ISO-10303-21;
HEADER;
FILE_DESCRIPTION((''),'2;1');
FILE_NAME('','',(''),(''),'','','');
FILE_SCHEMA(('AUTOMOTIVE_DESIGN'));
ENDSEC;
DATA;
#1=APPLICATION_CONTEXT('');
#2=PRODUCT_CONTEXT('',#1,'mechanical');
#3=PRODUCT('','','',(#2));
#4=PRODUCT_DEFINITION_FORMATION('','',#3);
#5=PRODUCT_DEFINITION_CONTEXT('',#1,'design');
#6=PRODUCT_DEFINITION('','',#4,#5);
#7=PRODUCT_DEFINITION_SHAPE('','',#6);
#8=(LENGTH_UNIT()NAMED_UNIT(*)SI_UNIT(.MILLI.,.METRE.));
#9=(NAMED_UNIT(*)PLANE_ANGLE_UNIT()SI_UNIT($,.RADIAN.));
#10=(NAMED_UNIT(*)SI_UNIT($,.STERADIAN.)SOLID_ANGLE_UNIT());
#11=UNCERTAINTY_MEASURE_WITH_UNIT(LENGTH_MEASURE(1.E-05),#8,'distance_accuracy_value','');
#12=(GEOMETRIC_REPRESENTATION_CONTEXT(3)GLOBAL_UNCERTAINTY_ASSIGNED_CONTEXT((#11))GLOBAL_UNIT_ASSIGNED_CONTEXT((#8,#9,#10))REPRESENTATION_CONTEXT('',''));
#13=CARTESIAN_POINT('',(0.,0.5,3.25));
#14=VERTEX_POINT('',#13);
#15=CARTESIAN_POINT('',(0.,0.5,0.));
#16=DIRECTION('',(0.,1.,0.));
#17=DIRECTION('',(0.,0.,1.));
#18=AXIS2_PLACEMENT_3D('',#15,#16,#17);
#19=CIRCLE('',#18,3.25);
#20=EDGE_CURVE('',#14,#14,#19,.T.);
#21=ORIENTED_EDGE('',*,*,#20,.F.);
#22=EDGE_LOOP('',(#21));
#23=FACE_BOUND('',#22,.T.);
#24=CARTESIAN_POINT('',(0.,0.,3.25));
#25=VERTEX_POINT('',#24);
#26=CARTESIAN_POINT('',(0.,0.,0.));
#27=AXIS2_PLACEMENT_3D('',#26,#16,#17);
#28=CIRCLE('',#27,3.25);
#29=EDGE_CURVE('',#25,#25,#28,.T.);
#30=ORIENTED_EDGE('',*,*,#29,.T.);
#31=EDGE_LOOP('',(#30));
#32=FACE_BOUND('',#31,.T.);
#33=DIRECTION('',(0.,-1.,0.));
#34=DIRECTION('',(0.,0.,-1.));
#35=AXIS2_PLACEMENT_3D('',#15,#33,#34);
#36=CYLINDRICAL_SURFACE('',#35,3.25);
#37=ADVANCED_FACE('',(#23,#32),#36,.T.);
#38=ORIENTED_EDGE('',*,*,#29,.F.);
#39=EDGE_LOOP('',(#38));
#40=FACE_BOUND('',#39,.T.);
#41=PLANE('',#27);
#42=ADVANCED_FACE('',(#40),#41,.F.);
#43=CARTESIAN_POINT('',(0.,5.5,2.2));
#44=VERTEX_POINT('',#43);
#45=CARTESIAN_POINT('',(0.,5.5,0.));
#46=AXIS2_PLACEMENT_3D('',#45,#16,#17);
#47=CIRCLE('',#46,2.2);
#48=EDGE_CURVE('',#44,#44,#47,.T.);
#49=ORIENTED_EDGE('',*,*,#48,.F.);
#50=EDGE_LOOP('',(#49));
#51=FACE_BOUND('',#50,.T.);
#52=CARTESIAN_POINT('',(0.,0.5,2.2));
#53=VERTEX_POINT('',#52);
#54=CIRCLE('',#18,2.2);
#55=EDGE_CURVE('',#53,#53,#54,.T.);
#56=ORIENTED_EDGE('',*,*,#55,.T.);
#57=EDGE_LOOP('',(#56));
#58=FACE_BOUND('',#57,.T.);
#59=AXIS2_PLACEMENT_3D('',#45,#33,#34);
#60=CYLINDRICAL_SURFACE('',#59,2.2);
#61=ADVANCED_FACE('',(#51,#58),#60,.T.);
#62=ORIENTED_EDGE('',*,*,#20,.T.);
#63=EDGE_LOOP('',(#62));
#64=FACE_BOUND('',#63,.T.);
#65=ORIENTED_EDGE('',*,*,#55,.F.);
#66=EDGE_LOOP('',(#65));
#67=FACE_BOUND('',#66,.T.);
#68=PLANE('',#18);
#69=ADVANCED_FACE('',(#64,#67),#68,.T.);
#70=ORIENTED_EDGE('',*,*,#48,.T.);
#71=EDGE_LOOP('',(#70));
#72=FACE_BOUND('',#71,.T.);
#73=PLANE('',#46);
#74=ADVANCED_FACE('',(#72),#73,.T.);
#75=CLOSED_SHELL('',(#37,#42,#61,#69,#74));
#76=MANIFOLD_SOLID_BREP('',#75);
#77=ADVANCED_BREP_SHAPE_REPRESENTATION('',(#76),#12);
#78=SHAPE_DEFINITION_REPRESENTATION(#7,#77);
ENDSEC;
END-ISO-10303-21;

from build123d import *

# Parameters (mm, degrees)
SKETCH1_R           = 3.25
BOSS_EXTRUDE1_DEPTH = 0.5
SKETCH2_R           = 2.2
BOSS_EXTRUDE2_DEPTH = 5


with BuildPart() as part:
    # Sketch1 → Boss-Extrude1 (new body)
    with BuildSketch(Plane(origin=(0, 0, 0), x_dir=(1, 0, 0), z_dir=(0, 1, 0))):
        Circle(SKETCH1_R)
    extrude(amount=BOSS_EXTRUDE1_DEPTH)

    # Sketch2 → Boss-Extrude2 (add)
    with BuildSketch(Plane(origin=(0, 0.5, 0), x_dir=(1, 0, 0), z_dir=(0, 1, 0))):
        Circle(SKETCH2_R)
    extrude(amount=BOSS_EXTRUDE2_DEPTH)


solid = part.part
